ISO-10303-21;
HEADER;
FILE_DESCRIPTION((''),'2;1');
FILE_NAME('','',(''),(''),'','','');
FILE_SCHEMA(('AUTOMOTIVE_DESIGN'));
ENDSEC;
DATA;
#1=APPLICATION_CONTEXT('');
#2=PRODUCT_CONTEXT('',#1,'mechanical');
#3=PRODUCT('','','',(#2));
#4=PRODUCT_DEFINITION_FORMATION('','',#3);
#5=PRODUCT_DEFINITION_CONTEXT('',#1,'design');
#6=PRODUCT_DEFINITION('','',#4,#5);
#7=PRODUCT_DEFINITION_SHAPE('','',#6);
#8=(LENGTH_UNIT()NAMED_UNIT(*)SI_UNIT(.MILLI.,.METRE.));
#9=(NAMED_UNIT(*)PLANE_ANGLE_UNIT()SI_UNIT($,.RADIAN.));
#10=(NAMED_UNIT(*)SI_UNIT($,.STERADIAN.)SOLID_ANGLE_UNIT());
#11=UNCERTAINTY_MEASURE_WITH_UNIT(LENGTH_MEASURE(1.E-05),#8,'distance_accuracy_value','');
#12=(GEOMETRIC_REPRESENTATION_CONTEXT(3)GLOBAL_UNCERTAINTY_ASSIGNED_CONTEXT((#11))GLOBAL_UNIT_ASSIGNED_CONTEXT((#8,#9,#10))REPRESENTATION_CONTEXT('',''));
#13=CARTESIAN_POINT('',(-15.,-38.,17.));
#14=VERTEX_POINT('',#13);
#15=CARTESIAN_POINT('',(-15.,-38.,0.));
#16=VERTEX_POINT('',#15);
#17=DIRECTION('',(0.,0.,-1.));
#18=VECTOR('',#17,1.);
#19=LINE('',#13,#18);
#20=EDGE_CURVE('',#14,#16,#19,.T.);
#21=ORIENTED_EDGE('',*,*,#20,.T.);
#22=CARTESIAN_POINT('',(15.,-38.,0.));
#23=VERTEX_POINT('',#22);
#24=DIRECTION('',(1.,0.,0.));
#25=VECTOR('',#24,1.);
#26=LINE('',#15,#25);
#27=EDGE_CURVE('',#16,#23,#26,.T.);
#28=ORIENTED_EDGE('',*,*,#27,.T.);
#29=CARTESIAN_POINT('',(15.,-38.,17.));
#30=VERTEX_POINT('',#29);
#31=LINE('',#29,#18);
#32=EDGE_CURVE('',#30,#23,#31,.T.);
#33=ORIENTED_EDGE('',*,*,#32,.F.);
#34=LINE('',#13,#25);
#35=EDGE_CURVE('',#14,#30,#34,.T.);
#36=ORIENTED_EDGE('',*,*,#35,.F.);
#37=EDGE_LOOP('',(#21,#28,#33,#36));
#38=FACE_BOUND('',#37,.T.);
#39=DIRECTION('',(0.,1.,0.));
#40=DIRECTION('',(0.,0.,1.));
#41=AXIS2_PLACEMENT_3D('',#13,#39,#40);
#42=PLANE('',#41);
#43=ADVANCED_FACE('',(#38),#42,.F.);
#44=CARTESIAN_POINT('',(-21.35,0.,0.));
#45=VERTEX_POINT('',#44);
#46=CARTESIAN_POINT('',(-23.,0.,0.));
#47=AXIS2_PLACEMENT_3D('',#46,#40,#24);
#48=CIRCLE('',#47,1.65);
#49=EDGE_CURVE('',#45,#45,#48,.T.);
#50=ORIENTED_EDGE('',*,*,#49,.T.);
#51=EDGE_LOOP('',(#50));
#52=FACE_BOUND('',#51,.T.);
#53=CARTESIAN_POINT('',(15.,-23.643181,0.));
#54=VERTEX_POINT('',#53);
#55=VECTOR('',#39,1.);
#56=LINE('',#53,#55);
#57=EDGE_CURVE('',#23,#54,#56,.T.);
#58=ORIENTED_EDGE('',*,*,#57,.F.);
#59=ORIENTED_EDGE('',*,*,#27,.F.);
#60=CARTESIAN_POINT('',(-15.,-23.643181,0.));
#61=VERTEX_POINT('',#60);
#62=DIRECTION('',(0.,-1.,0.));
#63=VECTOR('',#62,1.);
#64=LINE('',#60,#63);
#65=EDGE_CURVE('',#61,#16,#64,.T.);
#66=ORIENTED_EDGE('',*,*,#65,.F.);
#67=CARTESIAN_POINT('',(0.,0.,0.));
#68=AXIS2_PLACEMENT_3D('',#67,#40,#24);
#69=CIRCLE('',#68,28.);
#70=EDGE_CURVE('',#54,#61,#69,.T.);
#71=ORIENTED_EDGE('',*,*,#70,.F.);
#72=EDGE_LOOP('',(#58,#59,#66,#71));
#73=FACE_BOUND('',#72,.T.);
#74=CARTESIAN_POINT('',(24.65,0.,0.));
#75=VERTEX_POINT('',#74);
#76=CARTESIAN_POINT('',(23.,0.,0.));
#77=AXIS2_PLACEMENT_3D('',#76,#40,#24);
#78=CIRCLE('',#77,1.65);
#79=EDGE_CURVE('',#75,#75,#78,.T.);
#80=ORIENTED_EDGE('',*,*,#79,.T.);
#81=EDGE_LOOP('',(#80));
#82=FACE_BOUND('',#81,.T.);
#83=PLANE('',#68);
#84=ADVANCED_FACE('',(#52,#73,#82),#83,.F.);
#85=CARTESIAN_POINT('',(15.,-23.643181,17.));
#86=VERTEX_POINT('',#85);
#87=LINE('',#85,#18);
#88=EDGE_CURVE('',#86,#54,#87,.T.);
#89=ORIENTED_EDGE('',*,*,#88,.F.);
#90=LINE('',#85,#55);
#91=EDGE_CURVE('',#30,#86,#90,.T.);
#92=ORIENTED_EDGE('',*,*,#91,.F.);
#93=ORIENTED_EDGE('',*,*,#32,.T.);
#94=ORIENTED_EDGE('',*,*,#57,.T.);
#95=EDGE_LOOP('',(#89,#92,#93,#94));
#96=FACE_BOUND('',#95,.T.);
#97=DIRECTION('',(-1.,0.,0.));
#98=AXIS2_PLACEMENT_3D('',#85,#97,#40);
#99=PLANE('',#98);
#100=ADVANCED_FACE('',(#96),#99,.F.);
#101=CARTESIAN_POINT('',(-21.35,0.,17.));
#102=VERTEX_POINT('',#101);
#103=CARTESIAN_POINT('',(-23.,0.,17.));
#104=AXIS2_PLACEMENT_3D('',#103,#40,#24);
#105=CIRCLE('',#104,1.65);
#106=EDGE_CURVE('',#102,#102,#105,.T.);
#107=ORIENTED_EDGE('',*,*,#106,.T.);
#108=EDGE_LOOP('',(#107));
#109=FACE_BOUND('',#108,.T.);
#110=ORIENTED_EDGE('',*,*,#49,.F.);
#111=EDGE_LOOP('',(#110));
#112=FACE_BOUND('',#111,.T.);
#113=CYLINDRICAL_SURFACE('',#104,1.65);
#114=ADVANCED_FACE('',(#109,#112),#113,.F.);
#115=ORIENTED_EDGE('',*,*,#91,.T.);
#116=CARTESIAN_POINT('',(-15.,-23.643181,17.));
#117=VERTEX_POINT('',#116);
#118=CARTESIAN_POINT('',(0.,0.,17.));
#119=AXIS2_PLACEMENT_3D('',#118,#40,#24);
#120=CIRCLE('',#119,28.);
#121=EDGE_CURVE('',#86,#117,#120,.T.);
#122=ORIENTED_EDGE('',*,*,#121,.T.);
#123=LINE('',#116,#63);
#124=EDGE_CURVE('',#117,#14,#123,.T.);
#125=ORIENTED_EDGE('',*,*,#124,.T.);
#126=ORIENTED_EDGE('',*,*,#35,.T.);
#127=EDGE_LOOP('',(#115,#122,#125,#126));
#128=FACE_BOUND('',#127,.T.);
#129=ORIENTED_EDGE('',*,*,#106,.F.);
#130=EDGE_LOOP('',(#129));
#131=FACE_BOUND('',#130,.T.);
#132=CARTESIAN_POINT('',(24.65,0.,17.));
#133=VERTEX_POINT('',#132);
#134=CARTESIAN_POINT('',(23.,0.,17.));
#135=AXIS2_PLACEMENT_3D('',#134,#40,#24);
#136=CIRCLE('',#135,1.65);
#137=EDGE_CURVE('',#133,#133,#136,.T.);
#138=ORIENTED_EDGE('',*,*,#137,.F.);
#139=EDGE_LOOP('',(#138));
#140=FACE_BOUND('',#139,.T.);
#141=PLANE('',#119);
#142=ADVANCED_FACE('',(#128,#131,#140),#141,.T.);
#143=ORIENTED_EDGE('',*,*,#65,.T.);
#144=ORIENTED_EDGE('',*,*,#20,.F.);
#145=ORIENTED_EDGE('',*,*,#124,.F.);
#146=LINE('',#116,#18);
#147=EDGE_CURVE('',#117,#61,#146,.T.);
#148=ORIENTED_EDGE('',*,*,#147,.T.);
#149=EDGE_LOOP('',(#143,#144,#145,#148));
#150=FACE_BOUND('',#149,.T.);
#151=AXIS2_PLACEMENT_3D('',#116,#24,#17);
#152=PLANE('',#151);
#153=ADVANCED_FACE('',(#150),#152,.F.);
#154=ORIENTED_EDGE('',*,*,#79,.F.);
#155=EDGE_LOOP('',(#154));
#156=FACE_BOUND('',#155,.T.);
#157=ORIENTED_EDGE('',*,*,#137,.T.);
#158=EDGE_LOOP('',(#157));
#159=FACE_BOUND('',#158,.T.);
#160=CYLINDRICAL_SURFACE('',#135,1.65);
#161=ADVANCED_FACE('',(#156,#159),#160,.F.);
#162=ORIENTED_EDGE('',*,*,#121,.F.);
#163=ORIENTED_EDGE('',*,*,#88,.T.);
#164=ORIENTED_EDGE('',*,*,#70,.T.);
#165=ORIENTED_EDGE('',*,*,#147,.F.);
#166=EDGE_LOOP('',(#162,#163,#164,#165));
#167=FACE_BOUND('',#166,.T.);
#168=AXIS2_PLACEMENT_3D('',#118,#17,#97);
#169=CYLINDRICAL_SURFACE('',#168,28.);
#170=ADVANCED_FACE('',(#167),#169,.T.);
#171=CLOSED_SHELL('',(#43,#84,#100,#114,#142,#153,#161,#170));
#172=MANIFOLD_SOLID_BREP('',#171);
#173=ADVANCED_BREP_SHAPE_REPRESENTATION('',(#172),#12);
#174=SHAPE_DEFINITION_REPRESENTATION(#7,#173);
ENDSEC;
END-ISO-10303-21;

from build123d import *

# Parameters (mm, degrees)
BOSS_EXTRUDE1_DEPTH            = 17
F_3_3_3_3_DIAMETER_HOLE1_D     = 3.3
F_3_3_3_3_DIAMETER_HOLE1_DEPTH = 25
F_3_3_3_3_DIAMETER_HOLE1_TIP   = 0.991420021


with BuildPart() as part:
    # Sketch1 → Boss-Extrude1 (new body)
    with BuildSketch(Plane.XY):
        with BuildLine():
            Line((-15, -23.643180835), (-15, -38))
            Line((-15, -38), (15, -38))
            Line((15, -38), (15, -23.643180835))
            ThreePointArc((15, -23.643180835), (0, 28), (-15, -23.643180835))
        make_face()
    extrude(amount=BOSS_EXTRUDE1_DEPTH)

    # Ø3.3 (3.3) Diameter Hole1
    with Locations(Plane.XY.offset(17)):
        with Locations((-23, 0), (23, 0)):
            Hole(F_3_3_3_3_DIAMETER_HOLE1_D / 2, depth=F_3_3_3_3_DIAMETER_HOLE1_DEPTH)
            with Locations((0, 0, -(F_3_3_3_3_DIAMETER_HOLE1_DEPTH + F_3_3_3_3_DIAMETER_HOLE1_TIP / 2))):  # 118° drill point
                Cone(0, F_3_3_3_3_DIAMETER_HOLE1_D / 2, F_3_3_3_3_DIAMETER_HOLE1_TIP, mode=Mode.SUBTRACT)


solid = part.part
